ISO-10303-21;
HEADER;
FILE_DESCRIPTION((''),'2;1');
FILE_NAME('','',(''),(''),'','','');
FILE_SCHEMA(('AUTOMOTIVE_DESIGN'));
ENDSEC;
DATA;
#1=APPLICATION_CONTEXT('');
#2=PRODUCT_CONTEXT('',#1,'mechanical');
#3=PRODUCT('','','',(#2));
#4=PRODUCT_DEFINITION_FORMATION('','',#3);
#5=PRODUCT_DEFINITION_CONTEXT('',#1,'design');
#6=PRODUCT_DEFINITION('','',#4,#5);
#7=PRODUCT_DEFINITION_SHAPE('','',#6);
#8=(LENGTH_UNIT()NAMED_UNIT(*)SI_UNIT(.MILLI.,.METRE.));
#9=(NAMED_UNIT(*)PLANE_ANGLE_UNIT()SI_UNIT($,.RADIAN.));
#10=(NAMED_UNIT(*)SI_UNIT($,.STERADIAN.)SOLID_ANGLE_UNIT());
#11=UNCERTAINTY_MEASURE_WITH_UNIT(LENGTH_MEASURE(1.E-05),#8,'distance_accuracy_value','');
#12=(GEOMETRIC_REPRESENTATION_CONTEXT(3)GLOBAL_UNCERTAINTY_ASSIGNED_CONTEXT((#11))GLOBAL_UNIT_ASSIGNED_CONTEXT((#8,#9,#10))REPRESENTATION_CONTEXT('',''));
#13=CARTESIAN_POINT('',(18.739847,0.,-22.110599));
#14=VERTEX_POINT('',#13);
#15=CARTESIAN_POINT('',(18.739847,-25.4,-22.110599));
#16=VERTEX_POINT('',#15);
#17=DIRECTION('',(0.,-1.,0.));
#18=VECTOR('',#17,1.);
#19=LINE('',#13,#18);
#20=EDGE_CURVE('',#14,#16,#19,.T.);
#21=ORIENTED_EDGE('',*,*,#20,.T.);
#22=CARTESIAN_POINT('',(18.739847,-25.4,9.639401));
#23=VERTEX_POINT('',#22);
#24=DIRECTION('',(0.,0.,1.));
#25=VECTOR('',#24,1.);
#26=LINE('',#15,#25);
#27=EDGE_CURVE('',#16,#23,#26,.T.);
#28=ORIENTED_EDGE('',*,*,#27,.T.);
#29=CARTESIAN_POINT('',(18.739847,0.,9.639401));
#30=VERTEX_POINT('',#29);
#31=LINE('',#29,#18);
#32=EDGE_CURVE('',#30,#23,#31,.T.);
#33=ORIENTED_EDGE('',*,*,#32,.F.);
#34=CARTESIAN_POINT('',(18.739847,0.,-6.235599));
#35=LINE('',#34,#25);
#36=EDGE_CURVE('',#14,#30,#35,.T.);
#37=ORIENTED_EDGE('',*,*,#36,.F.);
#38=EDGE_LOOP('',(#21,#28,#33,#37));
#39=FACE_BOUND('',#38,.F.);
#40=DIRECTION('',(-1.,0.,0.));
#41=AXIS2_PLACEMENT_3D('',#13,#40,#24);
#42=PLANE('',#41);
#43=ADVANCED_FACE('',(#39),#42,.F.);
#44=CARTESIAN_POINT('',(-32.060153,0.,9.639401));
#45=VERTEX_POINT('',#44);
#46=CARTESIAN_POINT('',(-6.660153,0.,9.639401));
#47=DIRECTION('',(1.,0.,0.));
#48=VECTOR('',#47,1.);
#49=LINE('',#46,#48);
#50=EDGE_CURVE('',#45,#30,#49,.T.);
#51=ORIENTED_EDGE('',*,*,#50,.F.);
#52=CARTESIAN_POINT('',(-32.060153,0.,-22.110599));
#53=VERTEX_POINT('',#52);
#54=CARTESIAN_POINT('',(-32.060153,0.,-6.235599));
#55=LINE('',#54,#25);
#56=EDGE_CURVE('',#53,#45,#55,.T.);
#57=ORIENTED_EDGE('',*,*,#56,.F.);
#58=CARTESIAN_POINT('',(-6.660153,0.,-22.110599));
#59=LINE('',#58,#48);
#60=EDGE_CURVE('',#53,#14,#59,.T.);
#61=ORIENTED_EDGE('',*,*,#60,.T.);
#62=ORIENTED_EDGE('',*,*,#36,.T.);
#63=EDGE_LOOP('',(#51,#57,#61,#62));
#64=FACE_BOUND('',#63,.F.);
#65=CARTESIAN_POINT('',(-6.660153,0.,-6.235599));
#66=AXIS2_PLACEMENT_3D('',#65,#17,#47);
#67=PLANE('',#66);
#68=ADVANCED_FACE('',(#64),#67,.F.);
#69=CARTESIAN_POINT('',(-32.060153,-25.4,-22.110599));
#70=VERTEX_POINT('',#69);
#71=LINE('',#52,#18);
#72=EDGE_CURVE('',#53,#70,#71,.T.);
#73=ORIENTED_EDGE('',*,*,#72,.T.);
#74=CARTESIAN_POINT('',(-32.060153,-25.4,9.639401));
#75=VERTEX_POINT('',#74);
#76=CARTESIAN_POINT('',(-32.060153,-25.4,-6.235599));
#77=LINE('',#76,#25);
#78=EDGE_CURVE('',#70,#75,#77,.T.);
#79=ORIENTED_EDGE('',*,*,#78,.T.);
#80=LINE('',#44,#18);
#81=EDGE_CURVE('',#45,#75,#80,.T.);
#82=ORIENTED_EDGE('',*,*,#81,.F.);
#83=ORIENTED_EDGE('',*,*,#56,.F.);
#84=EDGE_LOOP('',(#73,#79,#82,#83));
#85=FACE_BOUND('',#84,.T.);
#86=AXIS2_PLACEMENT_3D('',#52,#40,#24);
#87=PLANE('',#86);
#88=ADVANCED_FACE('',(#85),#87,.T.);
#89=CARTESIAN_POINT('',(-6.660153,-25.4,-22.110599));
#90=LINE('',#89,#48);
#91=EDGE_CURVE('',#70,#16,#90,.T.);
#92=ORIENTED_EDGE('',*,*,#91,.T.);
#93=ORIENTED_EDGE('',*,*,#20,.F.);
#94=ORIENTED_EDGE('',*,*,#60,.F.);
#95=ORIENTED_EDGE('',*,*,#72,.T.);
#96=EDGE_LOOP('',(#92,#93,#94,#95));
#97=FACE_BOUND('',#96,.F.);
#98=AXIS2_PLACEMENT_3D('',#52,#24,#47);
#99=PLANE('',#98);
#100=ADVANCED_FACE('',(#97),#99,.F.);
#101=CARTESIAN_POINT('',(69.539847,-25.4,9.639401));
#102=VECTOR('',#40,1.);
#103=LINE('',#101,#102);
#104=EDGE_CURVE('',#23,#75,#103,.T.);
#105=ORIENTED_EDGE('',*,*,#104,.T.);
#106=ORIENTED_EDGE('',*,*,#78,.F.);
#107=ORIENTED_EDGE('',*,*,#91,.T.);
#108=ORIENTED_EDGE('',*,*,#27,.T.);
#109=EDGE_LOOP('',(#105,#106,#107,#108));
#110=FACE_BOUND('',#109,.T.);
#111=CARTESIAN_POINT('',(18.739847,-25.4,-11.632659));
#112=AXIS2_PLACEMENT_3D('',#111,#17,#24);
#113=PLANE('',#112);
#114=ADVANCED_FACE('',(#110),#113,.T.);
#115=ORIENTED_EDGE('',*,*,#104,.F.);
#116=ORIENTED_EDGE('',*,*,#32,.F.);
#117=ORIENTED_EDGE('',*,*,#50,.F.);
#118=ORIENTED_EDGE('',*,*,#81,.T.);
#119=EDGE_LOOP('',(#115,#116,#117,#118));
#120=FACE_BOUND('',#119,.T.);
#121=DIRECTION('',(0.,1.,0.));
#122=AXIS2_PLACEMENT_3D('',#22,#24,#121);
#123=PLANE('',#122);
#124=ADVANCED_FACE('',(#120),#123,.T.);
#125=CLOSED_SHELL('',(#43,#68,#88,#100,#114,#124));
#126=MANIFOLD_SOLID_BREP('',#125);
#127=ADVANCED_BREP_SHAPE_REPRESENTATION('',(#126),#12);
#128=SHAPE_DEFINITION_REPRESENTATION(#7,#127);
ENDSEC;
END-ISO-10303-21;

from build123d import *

# Parameters (mm, degrees)
F0_W      = 50.8
F0_H      = 31.75
F1_DEPTH  = 25.4
F2_W      = 12.7
F2_H      = 21.27206
F3_DEPTH  = 50.8
F3_FACE_W = 12.7
F3_FACE_H = 21.27206
F4_DEPTH  = 50.8


with BuildPart() as f1:
    # F0 (on Front) → F1 (new body)
    with BuildSketch(Plane.XZ):
        with Locations((-6.660153, -6.235599)):
            Rectangle(F0_W, F0_H)
    extrude(amount=F1_DEPTH)

    # F2 (on face) → F3 (join)
    with BuildSketch(Plane.YZ.offset(18.739847)):
        with Locations((-19.05, -0.996629)):
            Rectangle(F2_W, F2_H)
    extrude(amount=F3_DEPTH)

    # F3_face (on face) → F4 (cut)
    with BuildSketch(Plane(origin=(69.539847, -19.05, -0.996629), x_dir=(0, 1, 0), z_dir=(1, 0, 0))):
        Rectangle(F3_FACE_W, F3_FACE_H)
    extrude(amount=-F4_DEPTH, mode=Mode.SUBTRACT)


solid = f1.part
